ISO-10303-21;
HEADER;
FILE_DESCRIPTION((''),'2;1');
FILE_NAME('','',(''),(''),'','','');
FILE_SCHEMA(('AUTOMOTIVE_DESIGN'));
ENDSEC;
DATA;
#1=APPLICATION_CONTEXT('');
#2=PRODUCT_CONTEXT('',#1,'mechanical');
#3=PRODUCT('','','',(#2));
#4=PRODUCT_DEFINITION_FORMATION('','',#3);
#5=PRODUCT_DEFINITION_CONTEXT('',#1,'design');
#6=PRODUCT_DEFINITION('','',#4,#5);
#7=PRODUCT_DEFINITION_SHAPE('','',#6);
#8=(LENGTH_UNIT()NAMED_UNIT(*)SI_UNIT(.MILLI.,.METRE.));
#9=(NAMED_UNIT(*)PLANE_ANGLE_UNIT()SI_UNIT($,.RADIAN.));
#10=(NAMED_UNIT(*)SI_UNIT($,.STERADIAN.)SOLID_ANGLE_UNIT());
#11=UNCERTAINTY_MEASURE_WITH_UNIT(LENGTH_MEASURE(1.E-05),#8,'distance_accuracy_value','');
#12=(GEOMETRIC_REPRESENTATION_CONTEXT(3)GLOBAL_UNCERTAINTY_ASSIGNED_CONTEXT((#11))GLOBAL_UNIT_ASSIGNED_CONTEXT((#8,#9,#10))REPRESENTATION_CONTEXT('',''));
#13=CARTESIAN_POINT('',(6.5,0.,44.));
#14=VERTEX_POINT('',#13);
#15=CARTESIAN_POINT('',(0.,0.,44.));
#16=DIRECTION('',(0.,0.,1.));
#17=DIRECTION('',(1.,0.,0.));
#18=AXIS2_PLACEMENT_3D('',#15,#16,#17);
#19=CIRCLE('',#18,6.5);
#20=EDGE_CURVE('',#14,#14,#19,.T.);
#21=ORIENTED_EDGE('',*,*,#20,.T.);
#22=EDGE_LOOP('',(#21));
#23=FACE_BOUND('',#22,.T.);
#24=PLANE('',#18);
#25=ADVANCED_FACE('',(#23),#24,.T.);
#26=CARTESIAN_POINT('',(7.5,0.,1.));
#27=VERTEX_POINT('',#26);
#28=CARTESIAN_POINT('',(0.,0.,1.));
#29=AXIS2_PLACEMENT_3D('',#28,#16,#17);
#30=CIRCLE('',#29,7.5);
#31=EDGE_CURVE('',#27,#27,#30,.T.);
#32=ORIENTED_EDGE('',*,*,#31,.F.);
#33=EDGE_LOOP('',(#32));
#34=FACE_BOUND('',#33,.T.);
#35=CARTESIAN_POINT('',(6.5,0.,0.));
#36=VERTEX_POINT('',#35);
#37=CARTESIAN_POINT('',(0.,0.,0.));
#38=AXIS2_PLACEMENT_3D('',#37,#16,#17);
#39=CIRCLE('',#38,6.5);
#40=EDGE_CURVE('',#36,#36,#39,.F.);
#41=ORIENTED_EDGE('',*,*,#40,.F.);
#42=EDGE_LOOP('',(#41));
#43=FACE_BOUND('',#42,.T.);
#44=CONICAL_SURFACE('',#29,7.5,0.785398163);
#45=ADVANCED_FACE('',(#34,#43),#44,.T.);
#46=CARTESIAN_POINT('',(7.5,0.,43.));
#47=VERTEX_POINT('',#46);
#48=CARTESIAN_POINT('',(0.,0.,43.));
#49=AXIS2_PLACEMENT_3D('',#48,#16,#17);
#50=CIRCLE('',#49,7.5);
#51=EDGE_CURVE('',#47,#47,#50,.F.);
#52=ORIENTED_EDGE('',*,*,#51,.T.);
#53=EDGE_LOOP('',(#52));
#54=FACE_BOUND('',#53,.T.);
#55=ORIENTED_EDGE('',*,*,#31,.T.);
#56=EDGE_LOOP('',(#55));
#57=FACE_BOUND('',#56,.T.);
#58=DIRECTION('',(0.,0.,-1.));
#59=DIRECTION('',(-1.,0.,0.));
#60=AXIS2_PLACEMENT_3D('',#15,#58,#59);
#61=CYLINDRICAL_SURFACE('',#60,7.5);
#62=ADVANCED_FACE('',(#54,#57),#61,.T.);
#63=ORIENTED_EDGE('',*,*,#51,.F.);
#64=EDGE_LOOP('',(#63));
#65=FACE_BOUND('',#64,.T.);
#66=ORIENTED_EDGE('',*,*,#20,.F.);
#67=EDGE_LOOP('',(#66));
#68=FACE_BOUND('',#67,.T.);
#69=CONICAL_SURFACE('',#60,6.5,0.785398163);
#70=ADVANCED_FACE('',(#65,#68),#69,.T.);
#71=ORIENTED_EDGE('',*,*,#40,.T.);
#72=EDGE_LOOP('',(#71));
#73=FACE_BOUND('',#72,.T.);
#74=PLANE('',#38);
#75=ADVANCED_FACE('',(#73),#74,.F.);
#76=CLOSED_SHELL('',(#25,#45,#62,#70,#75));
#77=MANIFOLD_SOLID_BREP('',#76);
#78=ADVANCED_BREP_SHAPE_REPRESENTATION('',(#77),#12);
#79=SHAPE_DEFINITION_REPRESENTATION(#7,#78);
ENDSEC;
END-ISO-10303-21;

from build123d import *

# Parameters (mm, degrees)
SKETCH1_R           = 7.5
BOSS_EXTRUDE1_DEPTH = 44
CHAMFER1_SIZE       = 1
CHAMFER2_SIZE       = 1


with BuildPart() as part:
    # Sketch1 → Boss-Extrude1 (new body)
    with BuildSketch(Plane.XY):
        Circle(SKETCH1_R)
    extrude(amount=BOSS_EXTRUDE1_DEPTH)

    # Chamfer1
    chamfer1_edges = [part.edges().sort_by_distance(p)[0] for p in [
        (-7.5, 0, 0),
    ]]
    chamfer(chamfer1_edges, length=CHAMFER1_SIZE)

    # Chamfer2
    chamfer2_edges = [part.edges().sort_by_distance(p)[0] for p in [
        (-7.5, 0, 44),
    ]]
    chamfer(chamfer2_edges, length=CHAMFER2_SIZE)


solid = part.part
